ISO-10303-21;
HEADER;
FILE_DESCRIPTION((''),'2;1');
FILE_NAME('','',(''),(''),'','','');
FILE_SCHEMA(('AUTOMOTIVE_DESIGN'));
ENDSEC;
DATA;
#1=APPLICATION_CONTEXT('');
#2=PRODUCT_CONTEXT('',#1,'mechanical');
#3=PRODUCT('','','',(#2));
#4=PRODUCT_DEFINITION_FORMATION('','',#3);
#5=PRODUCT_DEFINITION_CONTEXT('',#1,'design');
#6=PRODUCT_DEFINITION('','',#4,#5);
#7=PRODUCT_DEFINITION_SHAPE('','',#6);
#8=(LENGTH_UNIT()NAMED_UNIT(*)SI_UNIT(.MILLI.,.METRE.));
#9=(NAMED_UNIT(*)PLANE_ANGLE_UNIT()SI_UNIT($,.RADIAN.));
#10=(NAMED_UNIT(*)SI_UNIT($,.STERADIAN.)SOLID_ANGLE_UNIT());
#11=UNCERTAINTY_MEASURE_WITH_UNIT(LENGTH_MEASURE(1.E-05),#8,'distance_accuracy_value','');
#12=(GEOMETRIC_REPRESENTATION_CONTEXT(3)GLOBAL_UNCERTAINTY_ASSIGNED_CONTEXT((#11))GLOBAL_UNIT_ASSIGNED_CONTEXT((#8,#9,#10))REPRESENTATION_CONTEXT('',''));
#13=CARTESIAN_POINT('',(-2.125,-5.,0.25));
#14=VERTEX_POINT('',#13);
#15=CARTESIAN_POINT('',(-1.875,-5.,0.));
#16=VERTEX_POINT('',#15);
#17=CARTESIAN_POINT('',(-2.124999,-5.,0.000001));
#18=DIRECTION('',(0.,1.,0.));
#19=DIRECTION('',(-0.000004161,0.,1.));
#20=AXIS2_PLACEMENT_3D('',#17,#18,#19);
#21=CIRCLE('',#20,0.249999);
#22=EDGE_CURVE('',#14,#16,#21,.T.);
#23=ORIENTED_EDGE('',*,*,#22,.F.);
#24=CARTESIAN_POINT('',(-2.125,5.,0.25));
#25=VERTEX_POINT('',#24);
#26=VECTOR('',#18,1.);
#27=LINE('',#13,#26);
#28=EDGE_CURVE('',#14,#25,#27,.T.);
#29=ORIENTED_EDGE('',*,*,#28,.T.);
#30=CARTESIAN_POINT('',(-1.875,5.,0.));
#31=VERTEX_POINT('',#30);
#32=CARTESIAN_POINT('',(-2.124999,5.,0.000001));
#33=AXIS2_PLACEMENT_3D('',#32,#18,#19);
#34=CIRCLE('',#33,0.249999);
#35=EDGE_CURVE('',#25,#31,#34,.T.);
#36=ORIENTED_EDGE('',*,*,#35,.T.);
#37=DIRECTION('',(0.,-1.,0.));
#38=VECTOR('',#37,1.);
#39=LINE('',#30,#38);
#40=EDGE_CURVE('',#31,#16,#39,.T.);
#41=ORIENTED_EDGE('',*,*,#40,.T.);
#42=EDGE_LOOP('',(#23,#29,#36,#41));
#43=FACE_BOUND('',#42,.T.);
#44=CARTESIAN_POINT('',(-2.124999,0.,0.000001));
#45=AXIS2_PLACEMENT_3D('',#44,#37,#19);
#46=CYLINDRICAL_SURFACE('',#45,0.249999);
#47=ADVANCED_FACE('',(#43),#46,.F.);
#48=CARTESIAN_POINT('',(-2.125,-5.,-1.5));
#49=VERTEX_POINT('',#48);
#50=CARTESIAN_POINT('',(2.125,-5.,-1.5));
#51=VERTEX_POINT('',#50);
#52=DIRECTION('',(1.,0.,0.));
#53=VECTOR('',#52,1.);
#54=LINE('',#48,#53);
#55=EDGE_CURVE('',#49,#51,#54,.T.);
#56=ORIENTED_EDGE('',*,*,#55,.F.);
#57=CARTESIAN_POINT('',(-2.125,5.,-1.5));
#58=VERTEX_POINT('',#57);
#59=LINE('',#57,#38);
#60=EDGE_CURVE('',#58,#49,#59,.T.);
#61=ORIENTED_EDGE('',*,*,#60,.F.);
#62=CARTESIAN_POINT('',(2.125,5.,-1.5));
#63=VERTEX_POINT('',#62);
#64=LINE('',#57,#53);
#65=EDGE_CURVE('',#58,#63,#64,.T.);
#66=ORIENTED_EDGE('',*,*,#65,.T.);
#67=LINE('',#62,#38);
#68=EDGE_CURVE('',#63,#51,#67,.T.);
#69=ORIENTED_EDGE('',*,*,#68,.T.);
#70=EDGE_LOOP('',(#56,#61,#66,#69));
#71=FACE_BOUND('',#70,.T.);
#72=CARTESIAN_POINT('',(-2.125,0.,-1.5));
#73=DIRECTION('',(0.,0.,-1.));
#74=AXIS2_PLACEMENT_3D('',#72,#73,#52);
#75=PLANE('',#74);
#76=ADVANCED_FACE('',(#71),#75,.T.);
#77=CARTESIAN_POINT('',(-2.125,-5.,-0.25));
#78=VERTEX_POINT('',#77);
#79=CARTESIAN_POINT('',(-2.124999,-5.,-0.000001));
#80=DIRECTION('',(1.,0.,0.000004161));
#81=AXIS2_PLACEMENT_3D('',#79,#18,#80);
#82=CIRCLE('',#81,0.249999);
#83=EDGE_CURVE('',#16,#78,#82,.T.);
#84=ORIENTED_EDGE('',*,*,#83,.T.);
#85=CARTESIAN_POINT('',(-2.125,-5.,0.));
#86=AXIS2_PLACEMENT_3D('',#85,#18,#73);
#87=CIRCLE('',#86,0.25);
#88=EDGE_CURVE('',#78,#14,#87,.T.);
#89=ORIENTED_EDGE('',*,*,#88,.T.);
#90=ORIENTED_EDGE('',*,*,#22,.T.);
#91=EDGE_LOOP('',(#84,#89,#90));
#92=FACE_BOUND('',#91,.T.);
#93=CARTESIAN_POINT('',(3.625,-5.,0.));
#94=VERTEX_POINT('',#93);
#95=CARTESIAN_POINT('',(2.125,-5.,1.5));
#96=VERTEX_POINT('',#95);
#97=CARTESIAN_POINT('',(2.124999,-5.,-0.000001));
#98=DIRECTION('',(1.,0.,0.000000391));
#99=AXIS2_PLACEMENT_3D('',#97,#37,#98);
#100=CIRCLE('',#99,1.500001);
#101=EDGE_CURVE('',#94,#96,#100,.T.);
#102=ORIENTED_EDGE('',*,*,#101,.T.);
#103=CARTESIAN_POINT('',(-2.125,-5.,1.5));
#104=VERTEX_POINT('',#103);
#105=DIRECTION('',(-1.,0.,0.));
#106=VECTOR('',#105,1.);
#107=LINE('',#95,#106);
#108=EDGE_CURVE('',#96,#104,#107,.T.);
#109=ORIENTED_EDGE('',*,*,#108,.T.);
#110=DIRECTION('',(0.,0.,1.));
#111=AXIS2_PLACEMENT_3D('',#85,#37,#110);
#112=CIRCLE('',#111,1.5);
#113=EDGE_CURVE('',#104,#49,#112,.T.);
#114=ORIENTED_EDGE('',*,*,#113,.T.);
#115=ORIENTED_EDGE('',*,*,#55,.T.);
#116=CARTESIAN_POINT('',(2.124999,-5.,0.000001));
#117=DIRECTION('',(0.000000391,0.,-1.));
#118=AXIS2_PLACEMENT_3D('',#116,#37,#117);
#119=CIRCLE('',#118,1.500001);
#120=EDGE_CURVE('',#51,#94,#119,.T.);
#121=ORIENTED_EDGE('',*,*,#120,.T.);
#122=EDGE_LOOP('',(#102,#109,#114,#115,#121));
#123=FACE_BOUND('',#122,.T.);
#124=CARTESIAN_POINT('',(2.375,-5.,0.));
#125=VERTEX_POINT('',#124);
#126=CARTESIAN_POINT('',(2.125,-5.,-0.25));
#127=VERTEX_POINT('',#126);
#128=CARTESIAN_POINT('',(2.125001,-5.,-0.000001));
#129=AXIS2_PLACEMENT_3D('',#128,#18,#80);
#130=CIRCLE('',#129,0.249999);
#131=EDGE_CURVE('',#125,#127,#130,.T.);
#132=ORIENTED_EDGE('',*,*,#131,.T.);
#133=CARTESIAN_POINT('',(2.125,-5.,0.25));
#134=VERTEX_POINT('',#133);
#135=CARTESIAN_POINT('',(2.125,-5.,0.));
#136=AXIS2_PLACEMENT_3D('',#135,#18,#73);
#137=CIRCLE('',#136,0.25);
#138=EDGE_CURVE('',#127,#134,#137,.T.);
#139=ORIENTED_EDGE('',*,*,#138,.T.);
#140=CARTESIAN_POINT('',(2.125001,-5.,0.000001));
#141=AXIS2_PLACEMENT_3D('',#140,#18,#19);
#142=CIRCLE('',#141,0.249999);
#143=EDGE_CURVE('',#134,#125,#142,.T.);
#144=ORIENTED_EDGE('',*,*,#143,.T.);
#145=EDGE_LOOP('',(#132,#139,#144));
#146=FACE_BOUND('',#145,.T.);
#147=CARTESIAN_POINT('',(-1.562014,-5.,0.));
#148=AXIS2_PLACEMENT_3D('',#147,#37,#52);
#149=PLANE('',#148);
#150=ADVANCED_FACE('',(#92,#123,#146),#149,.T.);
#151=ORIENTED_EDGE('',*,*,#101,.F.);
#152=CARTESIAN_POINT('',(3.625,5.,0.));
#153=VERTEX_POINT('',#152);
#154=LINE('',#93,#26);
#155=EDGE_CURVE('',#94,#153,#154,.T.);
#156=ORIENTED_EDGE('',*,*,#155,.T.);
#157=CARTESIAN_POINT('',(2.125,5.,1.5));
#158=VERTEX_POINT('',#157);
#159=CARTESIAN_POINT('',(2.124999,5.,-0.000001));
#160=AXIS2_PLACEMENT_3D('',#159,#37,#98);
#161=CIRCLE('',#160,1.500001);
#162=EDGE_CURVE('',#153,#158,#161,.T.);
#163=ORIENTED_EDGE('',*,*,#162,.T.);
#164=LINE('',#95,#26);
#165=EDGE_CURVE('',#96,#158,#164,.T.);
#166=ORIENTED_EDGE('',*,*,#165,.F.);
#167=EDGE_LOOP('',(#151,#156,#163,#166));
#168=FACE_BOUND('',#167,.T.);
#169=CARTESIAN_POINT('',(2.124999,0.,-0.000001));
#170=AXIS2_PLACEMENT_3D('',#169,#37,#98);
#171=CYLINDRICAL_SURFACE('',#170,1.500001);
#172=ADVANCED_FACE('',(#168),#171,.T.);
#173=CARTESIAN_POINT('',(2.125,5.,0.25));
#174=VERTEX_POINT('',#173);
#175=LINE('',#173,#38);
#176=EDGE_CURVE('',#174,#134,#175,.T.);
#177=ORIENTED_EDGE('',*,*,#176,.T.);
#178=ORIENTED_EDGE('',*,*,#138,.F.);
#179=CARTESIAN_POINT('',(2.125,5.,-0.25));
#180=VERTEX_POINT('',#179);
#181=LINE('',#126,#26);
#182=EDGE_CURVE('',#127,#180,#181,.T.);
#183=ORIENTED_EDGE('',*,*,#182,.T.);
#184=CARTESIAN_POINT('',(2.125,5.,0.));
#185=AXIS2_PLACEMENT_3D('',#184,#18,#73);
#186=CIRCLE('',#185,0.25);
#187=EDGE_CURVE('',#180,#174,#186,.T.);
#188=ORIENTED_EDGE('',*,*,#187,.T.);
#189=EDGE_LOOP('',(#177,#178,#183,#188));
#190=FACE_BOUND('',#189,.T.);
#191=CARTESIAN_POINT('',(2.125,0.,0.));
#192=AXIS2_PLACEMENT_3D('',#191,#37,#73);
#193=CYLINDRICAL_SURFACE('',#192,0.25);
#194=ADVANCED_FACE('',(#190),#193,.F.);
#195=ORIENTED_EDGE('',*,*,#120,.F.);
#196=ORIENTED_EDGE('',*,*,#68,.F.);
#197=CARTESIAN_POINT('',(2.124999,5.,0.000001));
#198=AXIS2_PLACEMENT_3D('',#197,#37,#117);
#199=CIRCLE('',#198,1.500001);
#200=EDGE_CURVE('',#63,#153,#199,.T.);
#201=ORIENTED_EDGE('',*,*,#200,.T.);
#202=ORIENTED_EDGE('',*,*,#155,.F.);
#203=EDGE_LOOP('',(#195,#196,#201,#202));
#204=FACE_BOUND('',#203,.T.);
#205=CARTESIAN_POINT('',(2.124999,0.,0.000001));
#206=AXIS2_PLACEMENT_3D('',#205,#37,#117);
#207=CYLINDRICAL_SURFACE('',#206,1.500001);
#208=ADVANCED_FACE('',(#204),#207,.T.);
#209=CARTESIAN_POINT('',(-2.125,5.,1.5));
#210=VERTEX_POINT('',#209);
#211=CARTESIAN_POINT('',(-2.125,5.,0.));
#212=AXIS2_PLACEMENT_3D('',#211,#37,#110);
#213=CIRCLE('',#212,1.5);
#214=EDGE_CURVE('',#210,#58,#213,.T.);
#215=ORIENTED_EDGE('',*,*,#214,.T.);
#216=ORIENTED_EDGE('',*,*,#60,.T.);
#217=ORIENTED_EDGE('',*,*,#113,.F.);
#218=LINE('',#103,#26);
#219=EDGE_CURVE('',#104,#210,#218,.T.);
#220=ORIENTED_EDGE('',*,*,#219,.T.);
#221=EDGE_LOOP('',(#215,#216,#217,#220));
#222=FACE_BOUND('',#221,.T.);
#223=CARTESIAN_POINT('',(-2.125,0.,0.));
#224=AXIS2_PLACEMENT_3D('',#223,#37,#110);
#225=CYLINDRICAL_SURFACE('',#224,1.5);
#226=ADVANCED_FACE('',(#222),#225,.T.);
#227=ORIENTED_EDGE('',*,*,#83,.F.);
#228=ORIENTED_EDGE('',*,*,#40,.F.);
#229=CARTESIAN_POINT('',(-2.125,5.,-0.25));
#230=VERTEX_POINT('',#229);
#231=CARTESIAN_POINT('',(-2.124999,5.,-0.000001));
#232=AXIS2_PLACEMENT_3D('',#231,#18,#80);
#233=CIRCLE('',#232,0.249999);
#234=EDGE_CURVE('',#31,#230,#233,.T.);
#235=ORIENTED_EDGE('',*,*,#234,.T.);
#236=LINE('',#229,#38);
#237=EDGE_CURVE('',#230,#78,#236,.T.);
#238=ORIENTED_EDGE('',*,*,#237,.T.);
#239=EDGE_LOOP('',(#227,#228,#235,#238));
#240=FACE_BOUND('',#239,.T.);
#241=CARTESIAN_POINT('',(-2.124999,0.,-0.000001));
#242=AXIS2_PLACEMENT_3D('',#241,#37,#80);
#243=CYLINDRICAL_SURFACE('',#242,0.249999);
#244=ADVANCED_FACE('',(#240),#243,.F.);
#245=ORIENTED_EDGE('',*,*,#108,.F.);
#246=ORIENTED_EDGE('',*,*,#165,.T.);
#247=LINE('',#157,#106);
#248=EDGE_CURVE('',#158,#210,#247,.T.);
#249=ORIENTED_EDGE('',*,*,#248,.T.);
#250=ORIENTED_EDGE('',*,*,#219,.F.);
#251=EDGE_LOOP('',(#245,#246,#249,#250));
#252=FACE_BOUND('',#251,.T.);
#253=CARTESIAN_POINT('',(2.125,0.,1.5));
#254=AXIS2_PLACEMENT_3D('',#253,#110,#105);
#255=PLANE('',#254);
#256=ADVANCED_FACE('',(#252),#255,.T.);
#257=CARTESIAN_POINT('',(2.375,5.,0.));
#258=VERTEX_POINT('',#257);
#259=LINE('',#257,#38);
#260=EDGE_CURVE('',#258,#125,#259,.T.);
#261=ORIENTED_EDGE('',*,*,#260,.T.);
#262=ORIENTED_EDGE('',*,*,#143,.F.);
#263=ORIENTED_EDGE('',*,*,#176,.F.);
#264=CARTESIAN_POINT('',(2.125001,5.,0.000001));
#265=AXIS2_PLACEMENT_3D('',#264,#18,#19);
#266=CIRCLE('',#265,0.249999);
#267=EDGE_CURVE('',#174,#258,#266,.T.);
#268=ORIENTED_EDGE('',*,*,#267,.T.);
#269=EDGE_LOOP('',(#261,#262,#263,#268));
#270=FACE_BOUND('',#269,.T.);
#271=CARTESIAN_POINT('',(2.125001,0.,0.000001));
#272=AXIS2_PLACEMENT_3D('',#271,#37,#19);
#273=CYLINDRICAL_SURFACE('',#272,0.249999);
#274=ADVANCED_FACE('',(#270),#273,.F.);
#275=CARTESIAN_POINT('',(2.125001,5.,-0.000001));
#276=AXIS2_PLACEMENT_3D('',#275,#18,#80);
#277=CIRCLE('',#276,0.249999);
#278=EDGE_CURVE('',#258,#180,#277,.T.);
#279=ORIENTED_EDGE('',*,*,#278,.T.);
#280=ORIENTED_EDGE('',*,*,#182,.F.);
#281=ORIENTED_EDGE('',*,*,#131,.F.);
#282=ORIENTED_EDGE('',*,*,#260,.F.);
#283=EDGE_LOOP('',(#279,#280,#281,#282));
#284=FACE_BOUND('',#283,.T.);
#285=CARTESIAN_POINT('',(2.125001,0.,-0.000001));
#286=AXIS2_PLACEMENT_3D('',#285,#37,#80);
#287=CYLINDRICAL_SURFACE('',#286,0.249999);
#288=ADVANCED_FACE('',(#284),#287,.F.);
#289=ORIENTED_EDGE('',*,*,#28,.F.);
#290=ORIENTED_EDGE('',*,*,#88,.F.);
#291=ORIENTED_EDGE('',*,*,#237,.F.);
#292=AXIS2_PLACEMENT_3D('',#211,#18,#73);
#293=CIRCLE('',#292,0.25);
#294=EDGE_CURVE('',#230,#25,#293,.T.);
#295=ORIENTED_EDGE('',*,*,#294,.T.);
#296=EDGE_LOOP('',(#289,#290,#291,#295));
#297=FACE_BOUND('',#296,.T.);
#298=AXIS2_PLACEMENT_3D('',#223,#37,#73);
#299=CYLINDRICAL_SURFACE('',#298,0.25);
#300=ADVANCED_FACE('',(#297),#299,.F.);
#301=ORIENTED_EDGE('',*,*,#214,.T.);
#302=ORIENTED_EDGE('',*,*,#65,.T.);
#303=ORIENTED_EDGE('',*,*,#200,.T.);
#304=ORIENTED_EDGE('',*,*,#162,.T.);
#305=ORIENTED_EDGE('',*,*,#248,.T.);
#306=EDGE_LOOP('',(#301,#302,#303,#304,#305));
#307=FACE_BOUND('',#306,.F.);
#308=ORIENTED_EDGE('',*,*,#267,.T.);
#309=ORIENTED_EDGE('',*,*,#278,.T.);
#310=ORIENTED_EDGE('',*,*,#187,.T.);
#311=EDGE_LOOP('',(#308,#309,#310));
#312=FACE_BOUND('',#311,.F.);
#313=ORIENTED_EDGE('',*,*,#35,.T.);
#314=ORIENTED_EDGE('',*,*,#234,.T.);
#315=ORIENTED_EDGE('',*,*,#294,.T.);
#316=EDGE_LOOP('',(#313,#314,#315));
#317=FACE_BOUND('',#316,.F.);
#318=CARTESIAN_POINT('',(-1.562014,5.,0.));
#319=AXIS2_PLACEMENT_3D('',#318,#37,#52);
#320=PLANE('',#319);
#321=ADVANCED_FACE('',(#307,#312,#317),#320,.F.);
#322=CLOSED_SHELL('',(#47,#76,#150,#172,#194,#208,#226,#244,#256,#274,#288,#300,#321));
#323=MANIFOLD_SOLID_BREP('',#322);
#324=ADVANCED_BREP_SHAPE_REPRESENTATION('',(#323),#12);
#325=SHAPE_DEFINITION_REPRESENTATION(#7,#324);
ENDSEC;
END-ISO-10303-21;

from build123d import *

# Parameters (mm, degrees)
F1_DEPTH = 5


with BuildPart() as f1:
    # F0 (on Front) → F1 (new body, symmetric)
    with BuildSketch(Plane.XZ):
        with BuildLine():
            ThreePointArc((-0.625, 0), (-1.06434, 1.06066), (-2.125, 1.5))
            Line((-2.125, 1.5), (-2.125, 0.25))
            ThreePointArc((-2.125, 0.25), (-1.948223, 0.176777), (-1.875, 0))
            ThreePointArc((-1.875, 0), (-1.948223, -0.176777), (-2.125, -0.25))
            Line((-2.125, -0.25), (-2.125, -1.5))
            ThreePointArc((-2.125, -1.5), (-1.06434, -1.06066), (-0.625, 0))
        make_face()
        with BuildLine():
            Line((-2.125, 0.25), (-2.125, 1.5))
            ThreePointArc((-2.125, 1.5), (-3.625, 0), (-2.125, -1.5))
            Line((-2.125, -1.5), (-2.125, -0.25))
            ThreePointArc((-2.125, -0.25), (-2.375, 0), (-2.125, 0.25))
        make_face()
        with BuildLine():
            Line((2.125, 1.5), (-2.125, 1.5))
            ThreePointArc((-2.125, 1.5), (-1.06434, 1.06066), (-0.625, 0))
            ThreePointArc((-0.625, 0), (-1.06434, -1.06066), (-2.125, -1.5))
            Line((-2.125, -1.5), (2.125, -1.5))
            ThreePointArc((2.125, -1.5), (0.625, 0), (2.125, 1.5))
        make_face()
        with BuildLine():
            ThreePointArc((3.625, 0), (3.18566, 1.06066), (2.125, 1.5))
            Line((2.125, 1.5), (2.125, 0.25))
            ThreePointArc((2.125, 0.25), (2.301777, 0.176777), (2.375, 0))
            ThreePointArc((2.375, 0), (2.301777, -0.176777), (2.125, -0.25))
            Line((2.125, -0.25), (2.125, -1.5))
            ThreePointArc((2.125, -1.5), (3.18566, -1.06066), (3.625, 0))
        make_face()
        with BuildLine():
            Line((2.125, 0.25), (2.125, 1.5))
            ThreePointArc((2.125, 1.5), (0.625, 0), (2.125, -1.5))
            Line((2.125, -1.5), (2.125, -0.25))
            ThreePointArc((2.125, -0.25), (1.875, 0), (2.125, 0.25))
        make_face()
    extrude(amount=F1_DEPTH, both=True)


solid = f1.part
